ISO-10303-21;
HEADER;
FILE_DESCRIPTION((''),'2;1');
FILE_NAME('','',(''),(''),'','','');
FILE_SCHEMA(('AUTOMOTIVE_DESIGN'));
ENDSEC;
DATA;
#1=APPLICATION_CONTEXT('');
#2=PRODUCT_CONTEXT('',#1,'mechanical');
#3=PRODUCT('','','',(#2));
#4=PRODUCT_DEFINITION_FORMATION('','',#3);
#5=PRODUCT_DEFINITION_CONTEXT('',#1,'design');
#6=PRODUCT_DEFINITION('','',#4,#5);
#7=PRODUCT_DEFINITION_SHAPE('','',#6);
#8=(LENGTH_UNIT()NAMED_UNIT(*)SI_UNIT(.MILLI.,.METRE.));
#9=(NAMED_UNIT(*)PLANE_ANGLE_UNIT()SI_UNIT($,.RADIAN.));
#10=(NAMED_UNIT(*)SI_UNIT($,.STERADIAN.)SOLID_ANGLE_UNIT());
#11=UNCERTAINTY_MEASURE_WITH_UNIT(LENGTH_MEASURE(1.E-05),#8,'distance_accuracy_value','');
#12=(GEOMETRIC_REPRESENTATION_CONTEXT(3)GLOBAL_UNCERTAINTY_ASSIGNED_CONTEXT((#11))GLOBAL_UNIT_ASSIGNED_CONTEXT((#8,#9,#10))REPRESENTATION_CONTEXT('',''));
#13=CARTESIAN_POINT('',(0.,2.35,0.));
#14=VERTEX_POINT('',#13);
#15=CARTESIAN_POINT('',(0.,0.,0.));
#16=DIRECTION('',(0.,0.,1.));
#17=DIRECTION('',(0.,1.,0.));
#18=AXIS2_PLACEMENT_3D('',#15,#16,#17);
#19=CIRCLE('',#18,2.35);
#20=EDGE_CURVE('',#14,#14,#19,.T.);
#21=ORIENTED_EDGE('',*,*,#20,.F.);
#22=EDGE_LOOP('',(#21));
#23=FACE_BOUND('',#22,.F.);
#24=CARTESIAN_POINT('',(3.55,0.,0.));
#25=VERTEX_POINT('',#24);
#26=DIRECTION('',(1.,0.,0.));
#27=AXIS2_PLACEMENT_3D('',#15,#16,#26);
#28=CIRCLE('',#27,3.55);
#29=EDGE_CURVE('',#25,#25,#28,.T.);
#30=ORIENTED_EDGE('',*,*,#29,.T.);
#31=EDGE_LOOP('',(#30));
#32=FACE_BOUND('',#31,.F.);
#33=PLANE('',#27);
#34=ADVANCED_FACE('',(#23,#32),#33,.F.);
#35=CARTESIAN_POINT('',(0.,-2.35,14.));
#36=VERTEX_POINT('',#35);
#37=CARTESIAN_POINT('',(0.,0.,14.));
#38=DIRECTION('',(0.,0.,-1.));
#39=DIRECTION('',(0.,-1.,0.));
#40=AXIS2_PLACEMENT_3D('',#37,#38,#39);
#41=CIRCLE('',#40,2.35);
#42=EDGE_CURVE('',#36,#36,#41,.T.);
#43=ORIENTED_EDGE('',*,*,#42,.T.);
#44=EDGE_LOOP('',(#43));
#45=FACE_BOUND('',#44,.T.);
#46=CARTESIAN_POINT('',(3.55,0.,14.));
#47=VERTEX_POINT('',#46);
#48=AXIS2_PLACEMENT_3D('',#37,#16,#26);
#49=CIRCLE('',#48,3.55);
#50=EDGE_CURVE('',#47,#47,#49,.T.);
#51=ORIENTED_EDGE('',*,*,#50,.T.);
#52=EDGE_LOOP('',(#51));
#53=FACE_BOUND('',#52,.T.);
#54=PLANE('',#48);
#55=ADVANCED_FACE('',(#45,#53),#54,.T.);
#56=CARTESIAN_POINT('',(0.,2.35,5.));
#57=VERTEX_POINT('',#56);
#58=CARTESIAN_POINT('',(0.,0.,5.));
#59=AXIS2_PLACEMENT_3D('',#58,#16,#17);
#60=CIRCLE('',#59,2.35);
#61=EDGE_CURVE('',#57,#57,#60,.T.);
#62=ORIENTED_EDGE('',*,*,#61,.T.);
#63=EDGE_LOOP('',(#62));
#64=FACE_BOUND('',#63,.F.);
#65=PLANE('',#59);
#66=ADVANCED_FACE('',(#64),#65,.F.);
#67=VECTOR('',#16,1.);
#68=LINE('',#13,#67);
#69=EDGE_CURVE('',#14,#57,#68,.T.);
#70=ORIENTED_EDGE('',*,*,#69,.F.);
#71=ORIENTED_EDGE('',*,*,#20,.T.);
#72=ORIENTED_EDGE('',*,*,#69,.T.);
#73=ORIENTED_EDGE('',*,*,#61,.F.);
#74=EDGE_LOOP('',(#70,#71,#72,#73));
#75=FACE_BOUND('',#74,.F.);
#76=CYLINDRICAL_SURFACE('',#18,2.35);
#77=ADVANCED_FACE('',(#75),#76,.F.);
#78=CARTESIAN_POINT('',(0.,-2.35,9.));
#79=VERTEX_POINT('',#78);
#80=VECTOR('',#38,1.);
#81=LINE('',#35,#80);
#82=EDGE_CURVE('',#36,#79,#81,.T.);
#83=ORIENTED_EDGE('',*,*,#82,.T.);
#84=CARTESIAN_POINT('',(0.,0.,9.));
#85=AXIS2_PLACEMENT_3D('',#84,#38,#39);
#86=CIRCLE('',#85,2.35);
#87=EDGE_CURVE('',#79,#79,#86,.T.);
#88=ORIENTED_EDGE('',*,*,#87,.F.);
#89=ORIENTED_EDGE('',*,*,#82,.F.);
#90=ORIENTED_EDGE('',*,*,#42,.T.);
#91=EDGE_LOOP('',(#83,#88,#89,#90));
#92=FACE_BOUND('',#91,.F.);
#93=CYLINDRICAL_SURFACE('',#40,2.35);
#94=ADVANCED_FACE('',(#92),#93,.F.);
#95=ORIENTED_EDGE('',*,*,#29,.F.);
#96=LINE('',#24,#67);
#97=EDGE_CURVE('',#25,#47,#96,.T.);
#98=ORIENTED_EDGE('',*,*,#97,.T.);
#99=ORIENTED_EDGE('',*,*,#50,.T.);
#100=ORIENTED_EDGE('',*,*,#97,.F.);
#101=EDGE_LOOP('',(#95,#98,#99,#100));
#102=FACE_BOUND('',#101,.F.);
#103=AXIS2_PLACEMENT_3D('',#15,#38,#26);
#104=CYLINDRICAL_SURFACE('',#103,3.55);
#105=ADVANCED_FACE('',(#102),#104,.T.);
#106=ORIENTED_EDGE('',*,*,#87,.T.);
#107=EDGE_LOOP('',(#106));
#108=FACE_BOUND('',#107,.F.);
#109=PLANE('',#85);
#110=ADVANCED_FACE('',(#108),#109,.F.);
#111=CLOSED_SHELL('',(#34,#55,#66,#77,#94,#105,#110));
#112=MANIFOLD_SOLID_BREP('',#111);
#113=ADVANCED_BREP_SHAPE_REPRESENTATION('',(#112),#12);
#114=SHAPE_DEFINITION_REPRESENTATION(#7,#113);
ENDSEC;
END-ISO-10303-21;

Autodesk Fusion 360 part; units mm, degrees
sketch "Sketch1" plane through (0, 0, 0) normal (0, 0, 1) x (1, 0, 0)
  circle A0 centre (0, 0) radius 3.55
  dimension "d1" = 7.1
extrude "Extrude1" add sketch "Sketch1" along normal blind 14
hole "Hole1" at (0, 0, 14) direction (0, 0, -1) diameter 4.7 depth 5 tip angle 180
hole "Hole2" at (0, 0, 0) direction (0, 0, 1) diameter 4.7 depth 5 tip angle 180
